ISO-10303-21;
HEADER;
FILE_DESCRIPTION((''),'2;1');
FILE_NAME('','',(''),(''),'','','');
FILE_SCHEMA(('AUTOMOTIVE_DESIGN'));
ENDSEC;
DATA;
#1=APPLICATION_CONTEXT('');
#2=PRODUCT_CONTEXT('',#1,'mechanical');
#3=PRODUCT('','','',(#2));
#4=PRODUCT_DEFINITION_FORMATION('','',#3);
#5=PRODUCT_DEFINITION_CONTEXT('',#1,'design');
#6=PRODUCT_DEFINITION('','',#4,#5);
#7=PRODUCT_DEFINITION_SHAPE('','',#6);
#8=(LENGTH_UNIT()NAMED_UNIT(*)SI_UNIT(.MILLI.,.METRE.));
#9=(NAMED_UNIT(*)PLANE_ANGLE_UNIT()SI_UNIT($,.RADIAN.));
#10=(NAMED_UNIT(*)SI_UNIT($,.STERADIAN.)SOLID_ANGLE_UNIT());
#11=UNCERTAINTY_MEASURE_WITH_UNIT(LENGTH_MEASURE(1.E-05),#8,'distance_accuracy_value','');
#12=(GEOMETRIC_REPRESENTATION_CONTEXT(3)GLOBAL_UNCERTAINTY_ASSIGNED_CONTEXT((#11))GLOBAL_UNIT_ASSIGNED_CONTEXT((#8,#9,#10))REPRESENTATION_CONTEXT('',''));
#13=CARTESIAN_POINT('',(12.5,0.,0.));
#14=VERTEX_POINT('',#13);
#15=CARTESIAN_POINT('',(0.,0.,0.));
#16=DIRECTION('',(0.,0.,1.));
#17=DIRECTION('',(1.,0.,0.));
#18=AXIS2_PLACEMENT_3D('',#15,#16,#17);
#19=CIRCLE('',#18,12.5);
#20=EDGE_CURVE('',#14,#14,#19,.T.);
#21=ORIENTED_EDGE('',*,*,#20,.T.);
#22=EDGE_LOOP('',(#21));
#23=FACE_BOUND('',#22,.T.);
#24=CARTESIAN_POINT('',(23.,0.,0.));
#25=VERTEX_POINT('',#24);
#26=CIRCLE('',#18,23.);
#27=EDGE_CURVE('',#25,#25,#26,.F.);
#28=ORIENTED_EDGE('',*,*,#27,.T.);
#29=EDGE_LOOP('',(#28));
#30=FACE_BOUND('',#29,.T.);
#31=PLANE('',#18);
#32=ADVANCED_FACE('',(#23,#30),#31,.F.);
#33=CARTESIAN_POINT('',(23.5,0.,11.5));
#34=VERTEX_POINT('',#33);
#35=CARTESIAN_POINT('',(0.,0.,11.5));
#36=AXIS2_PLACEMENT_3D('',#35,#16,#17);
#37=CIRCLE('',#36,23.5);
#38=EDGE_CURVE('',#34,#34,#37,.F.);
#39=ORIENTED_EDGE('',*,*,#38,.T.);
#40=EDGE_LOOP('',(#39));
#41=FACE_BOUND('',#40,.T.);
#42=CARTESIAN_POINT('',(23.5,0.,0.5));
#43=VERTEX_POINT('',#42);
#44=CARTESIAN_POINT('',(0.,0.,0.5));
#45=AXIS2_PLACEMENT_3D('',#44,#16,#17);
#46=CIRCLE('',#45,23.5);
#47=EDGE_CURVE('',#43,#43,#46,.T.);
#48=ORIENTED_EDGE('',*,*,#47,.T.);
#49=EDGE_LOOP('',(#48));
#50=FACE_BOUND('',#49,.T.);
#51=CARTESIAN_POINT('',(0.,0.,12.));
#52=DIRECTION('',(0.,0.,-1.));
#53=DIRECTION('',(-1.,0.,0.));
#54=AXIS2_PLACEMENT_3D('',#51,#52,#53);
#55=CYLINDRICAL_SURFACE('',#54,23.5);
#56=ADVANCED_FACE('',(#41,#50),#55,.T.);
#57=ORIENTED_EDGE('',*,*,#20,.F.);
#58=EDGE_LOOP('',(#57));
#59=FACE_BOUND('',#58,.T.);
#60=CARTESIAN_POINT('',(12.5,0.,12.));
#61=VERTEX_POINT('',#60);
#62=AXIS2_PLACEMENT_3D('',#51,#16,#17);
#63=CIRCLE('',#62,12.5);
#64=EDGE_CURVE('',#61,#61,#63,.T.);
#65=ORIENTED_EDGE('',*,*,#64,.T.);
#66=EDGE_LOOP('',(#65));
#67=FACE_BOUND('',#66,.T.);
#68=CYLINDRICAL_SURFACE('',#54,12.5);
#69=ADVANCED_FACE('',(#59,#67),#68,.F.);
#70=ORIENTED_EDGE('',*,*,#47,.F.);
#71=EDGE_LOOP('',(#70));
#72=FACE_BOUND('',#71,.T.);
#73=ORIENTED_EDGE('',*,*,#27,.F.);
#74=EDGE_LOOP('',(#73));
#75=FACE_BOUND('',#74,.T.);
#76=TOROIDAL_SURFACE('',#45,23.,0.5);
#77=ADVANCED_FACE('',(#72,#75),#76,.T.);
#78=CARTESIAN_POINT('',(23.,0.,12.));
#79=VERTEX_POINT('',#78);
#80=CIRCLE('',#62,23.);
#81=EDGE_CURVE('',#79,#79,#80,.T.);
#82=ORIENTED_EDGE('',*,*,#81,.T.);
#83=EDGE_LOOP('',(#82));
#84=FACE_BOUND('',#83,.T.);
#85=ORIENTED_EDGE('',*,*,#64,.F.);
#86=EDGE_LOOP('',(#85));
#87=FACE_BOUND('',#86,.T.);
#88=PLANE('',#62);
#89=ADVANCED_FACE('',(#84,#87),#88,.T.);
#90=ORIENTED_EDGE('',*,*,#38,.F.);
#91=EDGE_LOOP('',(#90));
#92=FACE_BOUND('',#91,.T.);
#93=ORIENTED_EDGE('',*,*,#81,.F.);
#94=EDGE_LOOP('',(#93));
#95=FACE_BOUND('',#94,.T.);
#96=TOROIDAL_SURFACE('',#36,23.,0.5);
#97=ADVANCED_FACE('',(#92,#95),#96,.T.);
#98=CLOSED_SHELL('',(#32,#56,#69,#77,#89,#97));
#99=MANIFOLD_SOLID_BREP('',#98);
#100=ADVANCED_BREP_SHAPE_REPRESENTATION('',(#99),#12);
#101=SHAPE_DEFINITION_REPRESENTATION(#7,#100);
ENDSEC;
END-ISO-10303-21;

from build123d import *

# Parameters (mm, degrees)
SKETCH2_R           = 23.5
SKETCH2_R_2         = 12.5
BOSS_EXTRUDE1_DEPTH = 12
FILLET1_R           = 0.5


with BuildPart() as part:
    # Sketch2 → Boss-Extrude1 (new body)
    with BuildSketch(Plane.XY):
        Circle(SKETCH2_R)
        Circle(SKETCH2_R_2, mode=Mode.SUBTRACT)
    extrude(amount=BOSS_EXTRUDE1_DEPTH)

    # Fillet1
    fillet1_edges = [part.edges().sort_by_distance(p)[0] for p in [
        (-23.5, 0, 0),
        (-23.5, 0, 12),
    ]]
    fillet(fillet1_edges, radius=FILLET1_R)


solid = part.part
